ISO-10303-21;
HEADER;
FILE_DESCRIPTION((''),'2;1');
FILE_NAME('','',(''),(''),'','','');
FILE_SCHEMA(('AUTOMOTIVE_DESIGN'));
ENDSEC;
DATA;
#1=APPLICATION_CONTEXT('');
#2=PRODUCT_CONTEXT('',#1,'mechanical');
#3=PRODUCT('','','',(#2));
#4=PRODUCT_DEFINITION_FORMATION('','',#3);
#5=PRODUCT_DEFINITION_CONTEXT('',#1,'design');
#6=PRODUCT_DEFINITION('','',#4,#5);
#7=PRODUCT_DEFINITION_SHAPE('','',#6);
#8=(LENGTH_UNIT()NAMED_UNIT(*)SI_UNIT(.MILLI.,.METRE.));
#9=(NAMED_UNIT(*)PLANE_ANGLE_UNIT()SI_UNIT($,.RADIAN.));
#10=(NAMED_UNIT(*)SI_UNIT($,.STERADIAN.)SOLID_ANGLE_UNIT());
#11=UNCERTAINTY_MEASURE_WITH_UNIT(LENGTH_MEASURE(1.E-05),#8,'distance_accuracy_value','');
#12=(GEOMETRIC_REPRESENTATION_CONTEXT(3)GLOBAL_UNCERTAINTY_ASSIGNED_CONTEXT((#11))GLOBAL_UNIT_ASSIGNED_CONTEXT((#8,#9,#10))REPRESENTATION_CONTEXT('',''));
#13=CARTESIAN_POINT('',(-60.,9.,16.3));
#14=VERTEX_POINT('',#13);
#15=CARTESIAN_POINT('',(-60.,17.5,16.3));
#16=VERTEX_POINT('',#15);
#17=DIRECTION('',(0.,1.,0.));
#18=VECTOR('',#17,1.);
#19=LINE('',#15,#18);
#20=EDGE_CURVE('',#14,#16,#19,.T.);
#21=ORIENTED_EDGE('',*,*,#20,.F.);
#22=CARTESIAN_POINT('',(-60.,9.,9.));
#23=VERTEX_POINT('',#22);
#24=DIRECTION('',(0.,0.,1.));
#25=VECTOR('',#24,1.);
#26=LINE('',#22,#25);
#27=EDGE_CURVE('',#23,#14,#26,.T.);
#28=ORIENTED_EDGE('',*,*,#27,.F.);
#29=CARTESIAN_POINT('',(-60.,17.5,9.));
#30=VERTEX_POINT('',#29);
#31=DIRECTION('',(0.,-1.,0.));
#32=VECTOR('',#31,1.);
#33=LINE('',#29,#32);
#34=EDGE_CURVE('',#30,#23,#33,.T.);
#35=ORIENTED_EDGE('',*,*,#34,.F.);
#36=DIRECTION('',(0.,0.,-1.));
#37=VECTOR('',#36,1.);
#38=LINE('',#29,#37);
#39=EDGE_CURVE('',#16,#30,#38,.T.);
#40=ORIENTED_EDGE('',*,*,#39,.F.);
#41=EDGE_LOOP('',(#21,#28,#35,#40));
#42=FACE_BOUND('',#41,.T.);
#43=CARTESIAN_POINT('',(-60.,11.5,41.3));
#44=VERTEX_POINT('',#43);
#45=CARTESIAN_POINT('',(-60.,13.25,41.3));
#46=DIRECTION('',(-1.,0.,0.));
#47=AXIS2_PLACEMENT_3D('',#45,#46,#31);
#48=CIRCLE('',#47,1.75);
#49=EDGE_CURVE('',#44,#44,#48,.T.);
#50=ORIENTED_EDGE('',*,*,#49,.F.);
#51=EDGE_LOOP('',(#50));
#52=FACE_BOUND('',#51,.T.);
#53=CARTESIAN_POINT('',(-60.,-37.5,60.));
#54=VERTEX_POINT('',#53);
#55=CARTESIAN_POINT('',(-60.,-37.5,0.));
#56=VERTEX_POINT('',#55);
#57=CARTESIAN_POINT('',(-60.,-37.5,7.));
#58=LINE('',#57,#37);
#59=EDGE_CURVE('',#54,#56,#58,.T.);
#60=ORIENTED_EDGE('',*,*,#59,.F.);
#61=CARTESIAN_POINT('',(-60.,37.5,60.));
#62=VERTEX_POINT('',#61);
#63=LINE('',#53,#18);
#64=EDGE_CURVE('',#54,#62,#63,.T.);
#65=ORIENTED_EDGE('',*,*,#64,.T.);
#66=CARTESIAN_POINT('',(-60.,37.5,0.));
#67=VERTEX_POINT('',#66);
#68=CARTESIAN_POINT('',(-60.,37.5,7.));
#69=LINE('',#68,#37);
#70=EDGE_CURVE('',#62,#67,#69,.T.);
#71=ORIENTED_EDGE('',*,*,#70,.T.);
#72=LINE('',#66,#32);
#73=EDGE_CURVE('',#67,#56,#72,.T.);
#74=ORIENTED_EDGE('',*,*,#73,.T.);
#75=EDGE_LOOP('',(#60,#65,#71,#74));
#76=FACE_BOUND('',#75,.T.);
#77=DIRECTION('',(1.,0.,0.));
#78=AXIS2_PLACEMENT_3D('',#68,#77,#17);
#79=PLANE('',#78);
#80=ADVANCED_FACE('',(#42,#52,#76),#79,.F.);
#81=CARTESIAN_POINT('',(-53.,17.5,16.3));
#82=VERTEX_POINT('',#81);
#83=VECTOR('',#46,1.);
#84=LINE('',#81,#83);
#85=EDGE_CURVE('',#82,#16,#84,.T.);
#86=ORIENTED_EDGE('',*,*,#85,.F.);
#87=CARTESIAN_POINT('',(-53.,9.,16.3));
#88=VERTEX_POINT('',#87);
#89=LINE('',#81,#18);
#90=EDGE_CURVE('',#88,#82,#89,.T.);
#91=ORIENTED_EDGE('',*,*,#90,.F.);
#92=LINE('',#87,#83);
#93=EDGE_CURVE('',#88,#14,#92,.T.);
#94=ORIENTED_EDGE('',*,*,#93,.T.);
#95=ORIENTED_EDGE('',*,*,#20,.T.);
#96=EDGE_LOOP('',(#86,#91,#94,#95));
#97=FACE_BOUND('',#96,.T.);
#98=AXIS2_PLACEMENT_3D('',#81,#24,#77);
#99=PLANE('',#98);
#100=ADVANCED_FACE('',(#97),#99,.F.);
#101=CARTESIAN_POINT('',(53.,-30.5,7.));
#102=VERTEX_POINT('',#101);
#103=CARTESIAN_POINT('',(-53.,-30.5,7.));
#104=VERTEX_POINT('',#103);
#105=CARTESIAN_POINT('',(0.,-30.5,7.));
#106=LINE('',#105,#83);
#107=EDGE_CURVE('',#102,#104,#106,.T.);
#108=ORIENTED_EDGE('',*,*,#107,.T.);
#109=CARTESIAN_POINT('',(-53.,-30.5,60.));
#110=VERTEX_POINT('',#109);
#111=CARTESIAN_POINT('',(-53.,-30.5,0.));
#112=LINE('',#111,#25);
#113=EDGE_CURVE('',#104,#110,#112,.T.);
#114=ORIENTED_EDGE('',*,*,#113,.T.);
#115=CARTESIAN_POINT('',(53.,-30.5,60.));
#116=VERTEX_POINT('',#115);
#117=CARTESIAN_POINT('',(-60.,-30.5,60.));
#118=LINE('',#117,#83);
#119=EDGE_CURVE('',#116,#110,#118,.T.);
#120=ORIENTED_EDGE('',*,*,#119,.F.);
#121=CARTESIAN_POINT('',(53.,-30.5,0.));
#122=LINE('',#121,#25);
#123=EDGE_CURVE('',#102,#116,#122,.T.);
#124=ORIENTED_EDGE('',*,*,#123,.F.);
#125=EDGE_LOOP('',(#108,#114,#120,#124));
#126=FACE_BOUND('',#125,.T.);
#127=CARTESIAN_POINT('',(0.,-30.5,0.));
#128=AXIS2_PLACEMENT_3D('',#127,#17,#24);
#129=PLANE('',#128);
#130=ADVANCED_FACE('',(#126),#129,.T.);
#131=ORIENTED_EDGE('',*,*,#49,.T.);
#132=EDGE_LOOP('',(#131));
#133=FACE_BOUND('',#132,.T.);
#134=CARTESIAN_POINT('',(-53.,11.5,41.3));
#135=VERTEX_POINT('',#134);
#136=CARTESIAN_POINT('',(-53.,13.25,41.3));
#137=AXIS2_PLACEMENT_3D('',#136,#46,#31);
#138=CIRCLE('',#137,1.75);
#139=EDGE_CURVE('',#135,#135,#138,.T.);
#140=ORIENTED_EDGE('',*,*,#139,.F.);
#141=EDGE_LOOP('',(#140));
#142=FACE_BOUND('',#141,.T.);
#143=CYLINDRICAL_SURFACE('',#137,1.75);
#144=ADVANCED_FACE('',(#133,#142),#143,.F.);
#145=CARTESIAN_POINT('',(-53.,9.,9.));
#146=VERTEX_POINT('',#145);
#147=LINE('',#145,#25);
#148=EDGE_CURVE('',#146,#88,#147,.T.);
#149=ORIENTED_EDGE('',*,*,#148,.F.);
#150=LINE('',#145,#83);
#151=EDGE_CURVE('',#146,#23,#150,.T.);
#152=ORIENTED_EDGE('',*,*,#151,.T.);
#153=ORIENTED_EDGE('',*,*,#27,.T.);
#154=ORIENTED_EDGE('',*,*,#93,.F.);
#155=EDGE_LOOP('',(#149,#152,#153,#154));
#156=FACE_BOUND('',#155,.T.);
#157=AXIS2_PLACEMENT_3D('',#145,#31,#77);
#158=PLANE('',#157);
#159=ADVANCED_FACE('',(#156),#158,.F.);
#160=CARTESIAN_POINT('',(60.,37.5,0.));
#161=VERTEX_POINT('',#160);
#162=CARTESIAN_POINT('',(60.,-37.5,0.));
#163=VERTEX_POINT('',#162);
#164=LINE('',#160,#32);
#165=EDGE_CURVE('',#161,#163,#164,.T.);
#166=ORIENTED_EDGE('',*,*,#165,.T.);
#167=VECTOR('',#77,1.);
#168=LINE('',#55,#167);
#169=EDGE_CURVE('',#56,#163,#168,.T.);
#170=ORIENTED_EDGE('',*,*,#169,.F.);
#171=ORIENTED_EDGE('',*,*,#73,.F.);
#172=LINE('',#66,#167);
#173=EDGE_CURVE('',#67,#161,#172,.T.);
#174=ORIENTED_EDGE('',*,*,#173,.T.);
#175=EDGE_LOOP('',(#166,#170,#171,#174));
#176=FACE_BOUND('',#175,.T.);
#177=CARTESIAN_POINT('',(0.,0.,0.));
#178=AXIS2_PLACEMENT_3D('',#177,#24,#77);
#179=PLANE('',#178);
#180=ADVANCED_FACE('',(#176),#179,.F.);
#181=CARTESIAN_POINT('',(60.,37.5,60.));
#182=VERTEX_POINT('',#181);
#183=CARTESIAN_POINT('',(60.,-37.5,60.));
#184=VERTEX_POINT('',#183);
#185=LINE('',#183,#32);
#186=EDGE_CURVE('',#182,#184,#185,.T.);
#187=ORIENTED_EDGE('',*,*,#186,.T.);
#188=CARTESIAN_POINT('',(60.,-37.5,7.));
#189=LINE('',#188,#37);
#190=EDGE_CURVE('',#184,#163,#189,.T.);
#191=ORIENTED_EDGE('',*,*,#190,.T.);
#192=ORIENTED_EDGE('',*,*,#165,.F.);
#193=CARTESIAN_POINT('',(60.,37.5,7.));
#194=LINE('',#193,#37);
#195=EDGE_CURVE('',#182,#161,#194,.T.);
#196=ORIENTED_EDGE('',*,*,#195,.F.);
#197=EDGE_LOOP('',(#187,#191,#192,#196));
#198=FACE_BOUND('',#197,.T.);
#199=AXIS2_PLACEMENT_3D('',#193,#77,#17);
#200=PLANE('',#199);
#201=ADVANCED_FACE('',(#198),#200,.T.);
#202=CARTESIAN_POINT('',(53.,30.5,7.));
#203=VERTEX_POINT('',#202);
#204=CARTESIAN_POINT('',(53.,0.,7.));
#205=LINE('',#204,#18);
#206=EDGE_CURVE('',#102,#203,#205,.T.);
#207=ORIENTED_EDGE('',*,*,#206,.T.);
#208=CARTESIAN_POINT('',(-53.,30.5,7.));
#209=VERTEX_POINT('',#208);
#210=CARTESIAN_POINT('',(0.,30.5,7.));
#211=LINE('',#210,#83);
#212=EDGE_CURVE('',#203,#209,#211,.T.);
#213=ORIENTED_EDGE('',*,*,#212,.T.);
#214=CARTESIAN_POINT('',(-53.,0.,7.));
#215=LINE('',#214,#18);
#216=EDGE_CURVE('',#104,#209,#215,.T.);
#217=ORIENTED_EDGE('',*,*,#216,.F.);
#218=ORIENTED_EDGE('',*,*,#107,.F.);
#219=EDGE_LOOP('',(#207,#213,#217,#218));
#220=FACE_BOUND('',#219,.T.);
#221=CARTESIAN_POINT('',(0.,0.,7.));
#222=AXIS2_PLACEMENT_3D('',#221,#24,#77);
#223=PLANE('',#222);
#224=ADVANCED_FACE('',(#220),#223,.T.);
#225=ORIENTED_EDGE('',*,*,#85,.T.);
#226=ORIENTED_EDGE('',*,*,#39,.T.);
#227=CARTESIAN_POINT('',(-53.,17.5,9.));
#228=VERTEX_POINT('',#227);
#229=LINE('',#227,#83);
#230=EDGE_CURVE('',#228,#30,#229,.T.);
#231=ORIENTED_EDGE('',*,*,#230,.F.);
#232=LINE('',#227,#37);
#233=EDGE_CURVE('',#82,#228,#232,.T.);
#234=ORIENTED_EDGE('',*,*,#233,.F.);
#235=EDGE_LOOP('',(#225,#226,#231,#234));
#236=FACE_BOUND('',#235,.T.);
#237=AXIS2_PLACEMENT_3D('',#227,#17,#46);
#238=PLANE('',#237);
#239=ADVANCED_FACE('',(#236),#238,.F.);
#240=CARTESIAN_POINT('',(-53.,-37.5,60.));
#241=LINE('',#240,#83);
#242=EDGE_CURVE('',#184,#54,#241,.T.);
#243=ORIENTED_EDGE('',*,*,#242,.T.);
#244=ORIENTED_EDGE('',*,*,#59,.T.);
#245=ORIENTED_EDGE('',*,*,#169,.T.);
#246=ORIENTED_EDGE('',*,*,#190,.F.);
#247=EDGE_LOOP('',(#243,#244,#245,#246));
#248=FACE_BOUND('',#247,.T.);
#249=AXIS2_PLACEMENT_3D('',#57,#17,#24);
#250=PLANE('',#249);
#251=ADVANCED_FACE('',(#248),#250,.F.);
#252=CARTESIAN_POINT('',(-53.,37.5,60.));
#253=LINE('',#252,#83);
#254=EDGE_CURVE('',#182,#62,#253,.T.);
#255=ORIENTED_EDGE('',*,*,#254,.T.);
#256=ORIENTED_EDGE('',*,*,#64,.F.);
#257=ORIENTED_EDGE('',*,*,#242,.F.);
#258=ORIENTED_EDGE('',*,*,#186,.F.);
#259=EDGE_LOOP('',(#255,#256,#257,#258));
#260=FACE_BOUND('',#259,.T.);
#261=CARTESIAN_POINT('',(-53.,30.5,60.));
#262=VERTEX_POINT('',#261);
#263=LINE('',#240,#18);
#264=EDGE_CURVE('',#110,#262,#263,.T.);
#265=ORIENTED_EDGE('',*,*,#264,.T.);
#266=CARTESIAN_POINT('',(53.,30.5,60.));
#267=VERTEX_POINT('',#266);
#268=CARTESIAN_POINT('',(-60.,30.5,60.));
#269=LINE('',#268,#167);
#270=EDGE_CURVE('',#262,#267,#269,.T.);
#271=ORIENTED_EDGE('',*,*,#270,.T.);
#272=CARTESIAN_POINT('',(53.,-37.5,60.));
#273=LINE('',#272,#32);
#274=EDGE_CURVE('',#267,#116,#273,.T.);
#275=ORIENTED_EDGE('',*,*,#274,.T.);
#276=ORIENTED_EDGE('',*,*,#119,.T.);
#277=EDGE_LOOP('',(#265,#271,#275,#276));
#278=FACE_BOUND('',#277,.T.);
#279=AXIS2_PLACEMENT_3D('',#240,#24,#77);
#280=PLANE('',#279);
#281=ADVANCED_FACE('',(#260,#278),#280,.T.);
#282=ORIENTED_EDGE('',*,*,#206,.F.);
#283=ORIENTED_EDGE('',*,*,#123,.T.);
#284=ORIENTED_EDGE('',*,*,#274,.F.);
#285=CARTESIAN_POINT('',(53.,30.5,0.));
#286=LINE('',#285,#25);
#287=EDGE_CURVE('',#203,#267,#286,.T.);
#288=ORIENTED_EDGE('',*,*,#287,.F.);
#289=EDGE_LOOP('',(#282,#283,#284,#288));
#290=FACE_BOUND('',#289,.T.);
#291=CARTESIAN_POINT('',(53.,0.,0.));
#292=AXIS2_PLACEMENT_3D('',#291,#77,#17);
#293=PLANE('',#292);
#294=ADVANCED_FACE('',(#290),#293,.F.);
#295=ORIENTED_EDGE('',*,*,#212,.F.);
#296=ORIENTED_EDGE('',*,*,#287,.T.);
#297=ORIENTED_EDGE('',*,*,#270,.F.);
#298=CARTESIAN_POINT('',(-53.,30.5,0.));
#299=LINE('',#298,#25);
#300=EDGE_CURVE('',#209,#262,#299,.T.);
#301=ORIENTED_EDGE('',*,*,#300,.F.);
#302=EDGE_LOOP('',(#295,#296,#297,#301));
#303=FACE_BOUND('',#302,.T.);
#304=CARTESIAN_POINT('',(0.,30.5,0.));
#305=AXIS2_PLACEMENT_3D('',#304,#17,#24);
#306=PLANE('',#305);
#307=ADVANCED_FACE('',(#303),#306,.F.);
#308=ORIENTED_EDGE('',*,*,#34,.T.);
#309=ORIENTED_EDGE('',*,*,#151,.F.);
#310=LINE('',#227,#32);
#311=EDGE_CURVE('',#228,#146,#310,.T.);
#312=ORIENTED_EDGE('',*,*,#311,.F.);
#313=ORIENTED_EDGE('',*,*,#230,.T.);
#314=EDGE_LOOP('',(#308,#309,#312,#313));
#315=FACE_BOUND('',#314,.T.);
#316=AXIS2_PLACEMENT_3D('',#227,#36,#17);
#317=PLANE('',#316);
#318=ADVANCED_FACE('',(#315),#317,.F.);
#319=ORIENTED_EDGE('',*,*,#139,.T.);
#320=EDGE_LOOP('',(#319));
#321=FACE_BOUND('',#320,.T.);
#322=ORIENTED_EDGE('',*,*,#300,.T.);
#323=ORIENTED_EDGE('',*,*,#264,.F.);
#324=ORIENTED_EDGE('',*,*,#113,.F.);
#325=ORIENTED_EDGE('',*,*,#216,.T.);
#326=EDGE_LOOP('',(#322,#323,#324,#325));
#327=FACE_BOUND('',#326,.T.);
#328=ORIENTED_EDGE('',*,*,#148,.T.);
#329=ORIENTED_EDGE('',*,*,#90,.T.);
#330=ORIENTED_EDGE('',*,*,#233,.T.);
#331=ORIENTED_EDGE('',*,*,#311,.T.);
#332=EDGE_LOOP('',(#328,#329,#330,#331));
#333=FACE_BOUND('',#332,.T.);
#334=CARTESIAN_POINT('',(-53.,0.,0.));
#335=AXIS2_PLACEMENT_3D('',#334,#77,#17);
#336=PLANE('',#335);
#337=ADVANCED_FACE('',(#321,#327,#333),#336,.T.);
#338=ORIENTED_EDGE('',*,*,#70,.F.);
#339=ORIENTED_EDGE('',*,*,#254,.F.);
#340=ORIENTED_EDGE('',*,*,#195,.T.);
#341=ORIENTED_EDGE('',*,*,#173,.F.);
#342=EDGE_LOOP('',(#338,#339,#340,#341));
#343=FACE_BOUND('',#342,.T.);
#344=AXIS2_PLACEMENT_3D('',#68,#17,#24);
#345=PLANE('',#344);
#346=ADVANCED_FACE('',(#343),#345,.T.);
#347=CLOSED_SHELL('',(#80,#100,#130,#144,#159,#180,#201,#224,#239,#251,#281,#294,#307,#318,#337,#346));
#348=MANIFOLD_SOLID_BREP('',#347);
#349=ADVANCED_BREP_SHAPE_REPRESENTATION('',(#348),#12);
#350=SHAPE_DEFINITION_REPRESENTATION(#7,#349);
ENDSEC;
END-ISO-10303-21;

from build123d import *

# Parameters (mm, degrees)
SKICA1_W                 = 120
SKICA1_H                 = 75
P_IDAT_VYSUNUT_M9_DEPTH  = 7
SKICA9_W                 = 60
SKICA9_H                 = 75
P_IDAT_VYSUNUT_M10_DEPTH = 7
SKICA10_W                = 60
SKICA10_H                = 75
P_IDAT_VYSUNUT_M11_DEPTH = 7
SKICA11_W                = 120
SKICA11_H                = 60
P_IDAT_VYSUNUT_M12_DEPTH = 7
SKICA12_W                = 120
SKICA12_H                = 60
P_IDAT_VYSUNUT_M13_DEPTH = 7
SKICA13_R                = 1.75
SKICA13_W                = 7.3
SKICA13_H                = 8.5
ODEBRAT_VYSUNUT_M1_DEPTH = 7


with BuildPart() as part:
    # Skica1 → Přidat vysunutím9 (new body)
    with BuildSketch(Plane.XY):
        Rectangle(SKICA1_W, SKICA1_H)
    extrude(amount=P_IDAT_VYSUNUT_M9_DEPTH)

    # Skica9 → Přidat vysunutím10 (add)
    with BuildSketch(Plane.ZY.offset(60)):
        with Locations((30, 0)):
            Rectangle(SKICA9_W, SKICA9_H)
    extrude(amount=-P_IDAT_VYSUNUT_M10_DEPTH)

    # Skica10 → Přidat vysunutím11 (add)
    with BuildSketch(Plane(origin=(60, 0, 0), x_dir=(0, 0, -1), z_dir=(1, 0, 0))):
        with Locations((-30, 0)):
            Rectangle(SKICA10_W, SKICA10_H)
    extrude(amount=-P_IDAT_VYSUNUT_M11_DEPTH)

    # Skica11 → Přidat vysunutím12 (add)
    with BuildSketch(Plane(origin=(0, -37.5, 0), x_dir=(-1, 0, 0), z_dir=(0, -1, 0))):
        with Locations((0, -30)):
            Rectangle(SKICA11_W, SKICA11_H)
    extrude(amount=-P_IDAT_VYSUNUT_M12_DEPTH)

    # Skica12 → Přidat vysunutím13 (add)
    with BuildSketch(Plane(origin=(0, 37.5, 0), x_dir=(1, 0, 0), z_dir=(0, 1, 0))):
        with Locations((0, -30)):
            Rectangle(SKICA12_W, SKICA12_H)
    extrude(amount=-P_IDAT_VYSUNUT_M13_DEPTH)

    # Skica13 → Odebrat vysunutím1 (cut)
    with BuildSketch(Plane.ZY.offset(60)):
        with Locations(Location((41.3, 13.25, 0), (0, 0, 270))):
            Circle(SKICA13_R)
        with Locations((12.65, 13.25)):
            Rectangle(SKICA13_W, SKICA13_H)
    extrude(amount=-ODEBRAT_VYSUNUT_M1_DEPTH, mode=Mode.SUBTRACT)


solid = part.part
